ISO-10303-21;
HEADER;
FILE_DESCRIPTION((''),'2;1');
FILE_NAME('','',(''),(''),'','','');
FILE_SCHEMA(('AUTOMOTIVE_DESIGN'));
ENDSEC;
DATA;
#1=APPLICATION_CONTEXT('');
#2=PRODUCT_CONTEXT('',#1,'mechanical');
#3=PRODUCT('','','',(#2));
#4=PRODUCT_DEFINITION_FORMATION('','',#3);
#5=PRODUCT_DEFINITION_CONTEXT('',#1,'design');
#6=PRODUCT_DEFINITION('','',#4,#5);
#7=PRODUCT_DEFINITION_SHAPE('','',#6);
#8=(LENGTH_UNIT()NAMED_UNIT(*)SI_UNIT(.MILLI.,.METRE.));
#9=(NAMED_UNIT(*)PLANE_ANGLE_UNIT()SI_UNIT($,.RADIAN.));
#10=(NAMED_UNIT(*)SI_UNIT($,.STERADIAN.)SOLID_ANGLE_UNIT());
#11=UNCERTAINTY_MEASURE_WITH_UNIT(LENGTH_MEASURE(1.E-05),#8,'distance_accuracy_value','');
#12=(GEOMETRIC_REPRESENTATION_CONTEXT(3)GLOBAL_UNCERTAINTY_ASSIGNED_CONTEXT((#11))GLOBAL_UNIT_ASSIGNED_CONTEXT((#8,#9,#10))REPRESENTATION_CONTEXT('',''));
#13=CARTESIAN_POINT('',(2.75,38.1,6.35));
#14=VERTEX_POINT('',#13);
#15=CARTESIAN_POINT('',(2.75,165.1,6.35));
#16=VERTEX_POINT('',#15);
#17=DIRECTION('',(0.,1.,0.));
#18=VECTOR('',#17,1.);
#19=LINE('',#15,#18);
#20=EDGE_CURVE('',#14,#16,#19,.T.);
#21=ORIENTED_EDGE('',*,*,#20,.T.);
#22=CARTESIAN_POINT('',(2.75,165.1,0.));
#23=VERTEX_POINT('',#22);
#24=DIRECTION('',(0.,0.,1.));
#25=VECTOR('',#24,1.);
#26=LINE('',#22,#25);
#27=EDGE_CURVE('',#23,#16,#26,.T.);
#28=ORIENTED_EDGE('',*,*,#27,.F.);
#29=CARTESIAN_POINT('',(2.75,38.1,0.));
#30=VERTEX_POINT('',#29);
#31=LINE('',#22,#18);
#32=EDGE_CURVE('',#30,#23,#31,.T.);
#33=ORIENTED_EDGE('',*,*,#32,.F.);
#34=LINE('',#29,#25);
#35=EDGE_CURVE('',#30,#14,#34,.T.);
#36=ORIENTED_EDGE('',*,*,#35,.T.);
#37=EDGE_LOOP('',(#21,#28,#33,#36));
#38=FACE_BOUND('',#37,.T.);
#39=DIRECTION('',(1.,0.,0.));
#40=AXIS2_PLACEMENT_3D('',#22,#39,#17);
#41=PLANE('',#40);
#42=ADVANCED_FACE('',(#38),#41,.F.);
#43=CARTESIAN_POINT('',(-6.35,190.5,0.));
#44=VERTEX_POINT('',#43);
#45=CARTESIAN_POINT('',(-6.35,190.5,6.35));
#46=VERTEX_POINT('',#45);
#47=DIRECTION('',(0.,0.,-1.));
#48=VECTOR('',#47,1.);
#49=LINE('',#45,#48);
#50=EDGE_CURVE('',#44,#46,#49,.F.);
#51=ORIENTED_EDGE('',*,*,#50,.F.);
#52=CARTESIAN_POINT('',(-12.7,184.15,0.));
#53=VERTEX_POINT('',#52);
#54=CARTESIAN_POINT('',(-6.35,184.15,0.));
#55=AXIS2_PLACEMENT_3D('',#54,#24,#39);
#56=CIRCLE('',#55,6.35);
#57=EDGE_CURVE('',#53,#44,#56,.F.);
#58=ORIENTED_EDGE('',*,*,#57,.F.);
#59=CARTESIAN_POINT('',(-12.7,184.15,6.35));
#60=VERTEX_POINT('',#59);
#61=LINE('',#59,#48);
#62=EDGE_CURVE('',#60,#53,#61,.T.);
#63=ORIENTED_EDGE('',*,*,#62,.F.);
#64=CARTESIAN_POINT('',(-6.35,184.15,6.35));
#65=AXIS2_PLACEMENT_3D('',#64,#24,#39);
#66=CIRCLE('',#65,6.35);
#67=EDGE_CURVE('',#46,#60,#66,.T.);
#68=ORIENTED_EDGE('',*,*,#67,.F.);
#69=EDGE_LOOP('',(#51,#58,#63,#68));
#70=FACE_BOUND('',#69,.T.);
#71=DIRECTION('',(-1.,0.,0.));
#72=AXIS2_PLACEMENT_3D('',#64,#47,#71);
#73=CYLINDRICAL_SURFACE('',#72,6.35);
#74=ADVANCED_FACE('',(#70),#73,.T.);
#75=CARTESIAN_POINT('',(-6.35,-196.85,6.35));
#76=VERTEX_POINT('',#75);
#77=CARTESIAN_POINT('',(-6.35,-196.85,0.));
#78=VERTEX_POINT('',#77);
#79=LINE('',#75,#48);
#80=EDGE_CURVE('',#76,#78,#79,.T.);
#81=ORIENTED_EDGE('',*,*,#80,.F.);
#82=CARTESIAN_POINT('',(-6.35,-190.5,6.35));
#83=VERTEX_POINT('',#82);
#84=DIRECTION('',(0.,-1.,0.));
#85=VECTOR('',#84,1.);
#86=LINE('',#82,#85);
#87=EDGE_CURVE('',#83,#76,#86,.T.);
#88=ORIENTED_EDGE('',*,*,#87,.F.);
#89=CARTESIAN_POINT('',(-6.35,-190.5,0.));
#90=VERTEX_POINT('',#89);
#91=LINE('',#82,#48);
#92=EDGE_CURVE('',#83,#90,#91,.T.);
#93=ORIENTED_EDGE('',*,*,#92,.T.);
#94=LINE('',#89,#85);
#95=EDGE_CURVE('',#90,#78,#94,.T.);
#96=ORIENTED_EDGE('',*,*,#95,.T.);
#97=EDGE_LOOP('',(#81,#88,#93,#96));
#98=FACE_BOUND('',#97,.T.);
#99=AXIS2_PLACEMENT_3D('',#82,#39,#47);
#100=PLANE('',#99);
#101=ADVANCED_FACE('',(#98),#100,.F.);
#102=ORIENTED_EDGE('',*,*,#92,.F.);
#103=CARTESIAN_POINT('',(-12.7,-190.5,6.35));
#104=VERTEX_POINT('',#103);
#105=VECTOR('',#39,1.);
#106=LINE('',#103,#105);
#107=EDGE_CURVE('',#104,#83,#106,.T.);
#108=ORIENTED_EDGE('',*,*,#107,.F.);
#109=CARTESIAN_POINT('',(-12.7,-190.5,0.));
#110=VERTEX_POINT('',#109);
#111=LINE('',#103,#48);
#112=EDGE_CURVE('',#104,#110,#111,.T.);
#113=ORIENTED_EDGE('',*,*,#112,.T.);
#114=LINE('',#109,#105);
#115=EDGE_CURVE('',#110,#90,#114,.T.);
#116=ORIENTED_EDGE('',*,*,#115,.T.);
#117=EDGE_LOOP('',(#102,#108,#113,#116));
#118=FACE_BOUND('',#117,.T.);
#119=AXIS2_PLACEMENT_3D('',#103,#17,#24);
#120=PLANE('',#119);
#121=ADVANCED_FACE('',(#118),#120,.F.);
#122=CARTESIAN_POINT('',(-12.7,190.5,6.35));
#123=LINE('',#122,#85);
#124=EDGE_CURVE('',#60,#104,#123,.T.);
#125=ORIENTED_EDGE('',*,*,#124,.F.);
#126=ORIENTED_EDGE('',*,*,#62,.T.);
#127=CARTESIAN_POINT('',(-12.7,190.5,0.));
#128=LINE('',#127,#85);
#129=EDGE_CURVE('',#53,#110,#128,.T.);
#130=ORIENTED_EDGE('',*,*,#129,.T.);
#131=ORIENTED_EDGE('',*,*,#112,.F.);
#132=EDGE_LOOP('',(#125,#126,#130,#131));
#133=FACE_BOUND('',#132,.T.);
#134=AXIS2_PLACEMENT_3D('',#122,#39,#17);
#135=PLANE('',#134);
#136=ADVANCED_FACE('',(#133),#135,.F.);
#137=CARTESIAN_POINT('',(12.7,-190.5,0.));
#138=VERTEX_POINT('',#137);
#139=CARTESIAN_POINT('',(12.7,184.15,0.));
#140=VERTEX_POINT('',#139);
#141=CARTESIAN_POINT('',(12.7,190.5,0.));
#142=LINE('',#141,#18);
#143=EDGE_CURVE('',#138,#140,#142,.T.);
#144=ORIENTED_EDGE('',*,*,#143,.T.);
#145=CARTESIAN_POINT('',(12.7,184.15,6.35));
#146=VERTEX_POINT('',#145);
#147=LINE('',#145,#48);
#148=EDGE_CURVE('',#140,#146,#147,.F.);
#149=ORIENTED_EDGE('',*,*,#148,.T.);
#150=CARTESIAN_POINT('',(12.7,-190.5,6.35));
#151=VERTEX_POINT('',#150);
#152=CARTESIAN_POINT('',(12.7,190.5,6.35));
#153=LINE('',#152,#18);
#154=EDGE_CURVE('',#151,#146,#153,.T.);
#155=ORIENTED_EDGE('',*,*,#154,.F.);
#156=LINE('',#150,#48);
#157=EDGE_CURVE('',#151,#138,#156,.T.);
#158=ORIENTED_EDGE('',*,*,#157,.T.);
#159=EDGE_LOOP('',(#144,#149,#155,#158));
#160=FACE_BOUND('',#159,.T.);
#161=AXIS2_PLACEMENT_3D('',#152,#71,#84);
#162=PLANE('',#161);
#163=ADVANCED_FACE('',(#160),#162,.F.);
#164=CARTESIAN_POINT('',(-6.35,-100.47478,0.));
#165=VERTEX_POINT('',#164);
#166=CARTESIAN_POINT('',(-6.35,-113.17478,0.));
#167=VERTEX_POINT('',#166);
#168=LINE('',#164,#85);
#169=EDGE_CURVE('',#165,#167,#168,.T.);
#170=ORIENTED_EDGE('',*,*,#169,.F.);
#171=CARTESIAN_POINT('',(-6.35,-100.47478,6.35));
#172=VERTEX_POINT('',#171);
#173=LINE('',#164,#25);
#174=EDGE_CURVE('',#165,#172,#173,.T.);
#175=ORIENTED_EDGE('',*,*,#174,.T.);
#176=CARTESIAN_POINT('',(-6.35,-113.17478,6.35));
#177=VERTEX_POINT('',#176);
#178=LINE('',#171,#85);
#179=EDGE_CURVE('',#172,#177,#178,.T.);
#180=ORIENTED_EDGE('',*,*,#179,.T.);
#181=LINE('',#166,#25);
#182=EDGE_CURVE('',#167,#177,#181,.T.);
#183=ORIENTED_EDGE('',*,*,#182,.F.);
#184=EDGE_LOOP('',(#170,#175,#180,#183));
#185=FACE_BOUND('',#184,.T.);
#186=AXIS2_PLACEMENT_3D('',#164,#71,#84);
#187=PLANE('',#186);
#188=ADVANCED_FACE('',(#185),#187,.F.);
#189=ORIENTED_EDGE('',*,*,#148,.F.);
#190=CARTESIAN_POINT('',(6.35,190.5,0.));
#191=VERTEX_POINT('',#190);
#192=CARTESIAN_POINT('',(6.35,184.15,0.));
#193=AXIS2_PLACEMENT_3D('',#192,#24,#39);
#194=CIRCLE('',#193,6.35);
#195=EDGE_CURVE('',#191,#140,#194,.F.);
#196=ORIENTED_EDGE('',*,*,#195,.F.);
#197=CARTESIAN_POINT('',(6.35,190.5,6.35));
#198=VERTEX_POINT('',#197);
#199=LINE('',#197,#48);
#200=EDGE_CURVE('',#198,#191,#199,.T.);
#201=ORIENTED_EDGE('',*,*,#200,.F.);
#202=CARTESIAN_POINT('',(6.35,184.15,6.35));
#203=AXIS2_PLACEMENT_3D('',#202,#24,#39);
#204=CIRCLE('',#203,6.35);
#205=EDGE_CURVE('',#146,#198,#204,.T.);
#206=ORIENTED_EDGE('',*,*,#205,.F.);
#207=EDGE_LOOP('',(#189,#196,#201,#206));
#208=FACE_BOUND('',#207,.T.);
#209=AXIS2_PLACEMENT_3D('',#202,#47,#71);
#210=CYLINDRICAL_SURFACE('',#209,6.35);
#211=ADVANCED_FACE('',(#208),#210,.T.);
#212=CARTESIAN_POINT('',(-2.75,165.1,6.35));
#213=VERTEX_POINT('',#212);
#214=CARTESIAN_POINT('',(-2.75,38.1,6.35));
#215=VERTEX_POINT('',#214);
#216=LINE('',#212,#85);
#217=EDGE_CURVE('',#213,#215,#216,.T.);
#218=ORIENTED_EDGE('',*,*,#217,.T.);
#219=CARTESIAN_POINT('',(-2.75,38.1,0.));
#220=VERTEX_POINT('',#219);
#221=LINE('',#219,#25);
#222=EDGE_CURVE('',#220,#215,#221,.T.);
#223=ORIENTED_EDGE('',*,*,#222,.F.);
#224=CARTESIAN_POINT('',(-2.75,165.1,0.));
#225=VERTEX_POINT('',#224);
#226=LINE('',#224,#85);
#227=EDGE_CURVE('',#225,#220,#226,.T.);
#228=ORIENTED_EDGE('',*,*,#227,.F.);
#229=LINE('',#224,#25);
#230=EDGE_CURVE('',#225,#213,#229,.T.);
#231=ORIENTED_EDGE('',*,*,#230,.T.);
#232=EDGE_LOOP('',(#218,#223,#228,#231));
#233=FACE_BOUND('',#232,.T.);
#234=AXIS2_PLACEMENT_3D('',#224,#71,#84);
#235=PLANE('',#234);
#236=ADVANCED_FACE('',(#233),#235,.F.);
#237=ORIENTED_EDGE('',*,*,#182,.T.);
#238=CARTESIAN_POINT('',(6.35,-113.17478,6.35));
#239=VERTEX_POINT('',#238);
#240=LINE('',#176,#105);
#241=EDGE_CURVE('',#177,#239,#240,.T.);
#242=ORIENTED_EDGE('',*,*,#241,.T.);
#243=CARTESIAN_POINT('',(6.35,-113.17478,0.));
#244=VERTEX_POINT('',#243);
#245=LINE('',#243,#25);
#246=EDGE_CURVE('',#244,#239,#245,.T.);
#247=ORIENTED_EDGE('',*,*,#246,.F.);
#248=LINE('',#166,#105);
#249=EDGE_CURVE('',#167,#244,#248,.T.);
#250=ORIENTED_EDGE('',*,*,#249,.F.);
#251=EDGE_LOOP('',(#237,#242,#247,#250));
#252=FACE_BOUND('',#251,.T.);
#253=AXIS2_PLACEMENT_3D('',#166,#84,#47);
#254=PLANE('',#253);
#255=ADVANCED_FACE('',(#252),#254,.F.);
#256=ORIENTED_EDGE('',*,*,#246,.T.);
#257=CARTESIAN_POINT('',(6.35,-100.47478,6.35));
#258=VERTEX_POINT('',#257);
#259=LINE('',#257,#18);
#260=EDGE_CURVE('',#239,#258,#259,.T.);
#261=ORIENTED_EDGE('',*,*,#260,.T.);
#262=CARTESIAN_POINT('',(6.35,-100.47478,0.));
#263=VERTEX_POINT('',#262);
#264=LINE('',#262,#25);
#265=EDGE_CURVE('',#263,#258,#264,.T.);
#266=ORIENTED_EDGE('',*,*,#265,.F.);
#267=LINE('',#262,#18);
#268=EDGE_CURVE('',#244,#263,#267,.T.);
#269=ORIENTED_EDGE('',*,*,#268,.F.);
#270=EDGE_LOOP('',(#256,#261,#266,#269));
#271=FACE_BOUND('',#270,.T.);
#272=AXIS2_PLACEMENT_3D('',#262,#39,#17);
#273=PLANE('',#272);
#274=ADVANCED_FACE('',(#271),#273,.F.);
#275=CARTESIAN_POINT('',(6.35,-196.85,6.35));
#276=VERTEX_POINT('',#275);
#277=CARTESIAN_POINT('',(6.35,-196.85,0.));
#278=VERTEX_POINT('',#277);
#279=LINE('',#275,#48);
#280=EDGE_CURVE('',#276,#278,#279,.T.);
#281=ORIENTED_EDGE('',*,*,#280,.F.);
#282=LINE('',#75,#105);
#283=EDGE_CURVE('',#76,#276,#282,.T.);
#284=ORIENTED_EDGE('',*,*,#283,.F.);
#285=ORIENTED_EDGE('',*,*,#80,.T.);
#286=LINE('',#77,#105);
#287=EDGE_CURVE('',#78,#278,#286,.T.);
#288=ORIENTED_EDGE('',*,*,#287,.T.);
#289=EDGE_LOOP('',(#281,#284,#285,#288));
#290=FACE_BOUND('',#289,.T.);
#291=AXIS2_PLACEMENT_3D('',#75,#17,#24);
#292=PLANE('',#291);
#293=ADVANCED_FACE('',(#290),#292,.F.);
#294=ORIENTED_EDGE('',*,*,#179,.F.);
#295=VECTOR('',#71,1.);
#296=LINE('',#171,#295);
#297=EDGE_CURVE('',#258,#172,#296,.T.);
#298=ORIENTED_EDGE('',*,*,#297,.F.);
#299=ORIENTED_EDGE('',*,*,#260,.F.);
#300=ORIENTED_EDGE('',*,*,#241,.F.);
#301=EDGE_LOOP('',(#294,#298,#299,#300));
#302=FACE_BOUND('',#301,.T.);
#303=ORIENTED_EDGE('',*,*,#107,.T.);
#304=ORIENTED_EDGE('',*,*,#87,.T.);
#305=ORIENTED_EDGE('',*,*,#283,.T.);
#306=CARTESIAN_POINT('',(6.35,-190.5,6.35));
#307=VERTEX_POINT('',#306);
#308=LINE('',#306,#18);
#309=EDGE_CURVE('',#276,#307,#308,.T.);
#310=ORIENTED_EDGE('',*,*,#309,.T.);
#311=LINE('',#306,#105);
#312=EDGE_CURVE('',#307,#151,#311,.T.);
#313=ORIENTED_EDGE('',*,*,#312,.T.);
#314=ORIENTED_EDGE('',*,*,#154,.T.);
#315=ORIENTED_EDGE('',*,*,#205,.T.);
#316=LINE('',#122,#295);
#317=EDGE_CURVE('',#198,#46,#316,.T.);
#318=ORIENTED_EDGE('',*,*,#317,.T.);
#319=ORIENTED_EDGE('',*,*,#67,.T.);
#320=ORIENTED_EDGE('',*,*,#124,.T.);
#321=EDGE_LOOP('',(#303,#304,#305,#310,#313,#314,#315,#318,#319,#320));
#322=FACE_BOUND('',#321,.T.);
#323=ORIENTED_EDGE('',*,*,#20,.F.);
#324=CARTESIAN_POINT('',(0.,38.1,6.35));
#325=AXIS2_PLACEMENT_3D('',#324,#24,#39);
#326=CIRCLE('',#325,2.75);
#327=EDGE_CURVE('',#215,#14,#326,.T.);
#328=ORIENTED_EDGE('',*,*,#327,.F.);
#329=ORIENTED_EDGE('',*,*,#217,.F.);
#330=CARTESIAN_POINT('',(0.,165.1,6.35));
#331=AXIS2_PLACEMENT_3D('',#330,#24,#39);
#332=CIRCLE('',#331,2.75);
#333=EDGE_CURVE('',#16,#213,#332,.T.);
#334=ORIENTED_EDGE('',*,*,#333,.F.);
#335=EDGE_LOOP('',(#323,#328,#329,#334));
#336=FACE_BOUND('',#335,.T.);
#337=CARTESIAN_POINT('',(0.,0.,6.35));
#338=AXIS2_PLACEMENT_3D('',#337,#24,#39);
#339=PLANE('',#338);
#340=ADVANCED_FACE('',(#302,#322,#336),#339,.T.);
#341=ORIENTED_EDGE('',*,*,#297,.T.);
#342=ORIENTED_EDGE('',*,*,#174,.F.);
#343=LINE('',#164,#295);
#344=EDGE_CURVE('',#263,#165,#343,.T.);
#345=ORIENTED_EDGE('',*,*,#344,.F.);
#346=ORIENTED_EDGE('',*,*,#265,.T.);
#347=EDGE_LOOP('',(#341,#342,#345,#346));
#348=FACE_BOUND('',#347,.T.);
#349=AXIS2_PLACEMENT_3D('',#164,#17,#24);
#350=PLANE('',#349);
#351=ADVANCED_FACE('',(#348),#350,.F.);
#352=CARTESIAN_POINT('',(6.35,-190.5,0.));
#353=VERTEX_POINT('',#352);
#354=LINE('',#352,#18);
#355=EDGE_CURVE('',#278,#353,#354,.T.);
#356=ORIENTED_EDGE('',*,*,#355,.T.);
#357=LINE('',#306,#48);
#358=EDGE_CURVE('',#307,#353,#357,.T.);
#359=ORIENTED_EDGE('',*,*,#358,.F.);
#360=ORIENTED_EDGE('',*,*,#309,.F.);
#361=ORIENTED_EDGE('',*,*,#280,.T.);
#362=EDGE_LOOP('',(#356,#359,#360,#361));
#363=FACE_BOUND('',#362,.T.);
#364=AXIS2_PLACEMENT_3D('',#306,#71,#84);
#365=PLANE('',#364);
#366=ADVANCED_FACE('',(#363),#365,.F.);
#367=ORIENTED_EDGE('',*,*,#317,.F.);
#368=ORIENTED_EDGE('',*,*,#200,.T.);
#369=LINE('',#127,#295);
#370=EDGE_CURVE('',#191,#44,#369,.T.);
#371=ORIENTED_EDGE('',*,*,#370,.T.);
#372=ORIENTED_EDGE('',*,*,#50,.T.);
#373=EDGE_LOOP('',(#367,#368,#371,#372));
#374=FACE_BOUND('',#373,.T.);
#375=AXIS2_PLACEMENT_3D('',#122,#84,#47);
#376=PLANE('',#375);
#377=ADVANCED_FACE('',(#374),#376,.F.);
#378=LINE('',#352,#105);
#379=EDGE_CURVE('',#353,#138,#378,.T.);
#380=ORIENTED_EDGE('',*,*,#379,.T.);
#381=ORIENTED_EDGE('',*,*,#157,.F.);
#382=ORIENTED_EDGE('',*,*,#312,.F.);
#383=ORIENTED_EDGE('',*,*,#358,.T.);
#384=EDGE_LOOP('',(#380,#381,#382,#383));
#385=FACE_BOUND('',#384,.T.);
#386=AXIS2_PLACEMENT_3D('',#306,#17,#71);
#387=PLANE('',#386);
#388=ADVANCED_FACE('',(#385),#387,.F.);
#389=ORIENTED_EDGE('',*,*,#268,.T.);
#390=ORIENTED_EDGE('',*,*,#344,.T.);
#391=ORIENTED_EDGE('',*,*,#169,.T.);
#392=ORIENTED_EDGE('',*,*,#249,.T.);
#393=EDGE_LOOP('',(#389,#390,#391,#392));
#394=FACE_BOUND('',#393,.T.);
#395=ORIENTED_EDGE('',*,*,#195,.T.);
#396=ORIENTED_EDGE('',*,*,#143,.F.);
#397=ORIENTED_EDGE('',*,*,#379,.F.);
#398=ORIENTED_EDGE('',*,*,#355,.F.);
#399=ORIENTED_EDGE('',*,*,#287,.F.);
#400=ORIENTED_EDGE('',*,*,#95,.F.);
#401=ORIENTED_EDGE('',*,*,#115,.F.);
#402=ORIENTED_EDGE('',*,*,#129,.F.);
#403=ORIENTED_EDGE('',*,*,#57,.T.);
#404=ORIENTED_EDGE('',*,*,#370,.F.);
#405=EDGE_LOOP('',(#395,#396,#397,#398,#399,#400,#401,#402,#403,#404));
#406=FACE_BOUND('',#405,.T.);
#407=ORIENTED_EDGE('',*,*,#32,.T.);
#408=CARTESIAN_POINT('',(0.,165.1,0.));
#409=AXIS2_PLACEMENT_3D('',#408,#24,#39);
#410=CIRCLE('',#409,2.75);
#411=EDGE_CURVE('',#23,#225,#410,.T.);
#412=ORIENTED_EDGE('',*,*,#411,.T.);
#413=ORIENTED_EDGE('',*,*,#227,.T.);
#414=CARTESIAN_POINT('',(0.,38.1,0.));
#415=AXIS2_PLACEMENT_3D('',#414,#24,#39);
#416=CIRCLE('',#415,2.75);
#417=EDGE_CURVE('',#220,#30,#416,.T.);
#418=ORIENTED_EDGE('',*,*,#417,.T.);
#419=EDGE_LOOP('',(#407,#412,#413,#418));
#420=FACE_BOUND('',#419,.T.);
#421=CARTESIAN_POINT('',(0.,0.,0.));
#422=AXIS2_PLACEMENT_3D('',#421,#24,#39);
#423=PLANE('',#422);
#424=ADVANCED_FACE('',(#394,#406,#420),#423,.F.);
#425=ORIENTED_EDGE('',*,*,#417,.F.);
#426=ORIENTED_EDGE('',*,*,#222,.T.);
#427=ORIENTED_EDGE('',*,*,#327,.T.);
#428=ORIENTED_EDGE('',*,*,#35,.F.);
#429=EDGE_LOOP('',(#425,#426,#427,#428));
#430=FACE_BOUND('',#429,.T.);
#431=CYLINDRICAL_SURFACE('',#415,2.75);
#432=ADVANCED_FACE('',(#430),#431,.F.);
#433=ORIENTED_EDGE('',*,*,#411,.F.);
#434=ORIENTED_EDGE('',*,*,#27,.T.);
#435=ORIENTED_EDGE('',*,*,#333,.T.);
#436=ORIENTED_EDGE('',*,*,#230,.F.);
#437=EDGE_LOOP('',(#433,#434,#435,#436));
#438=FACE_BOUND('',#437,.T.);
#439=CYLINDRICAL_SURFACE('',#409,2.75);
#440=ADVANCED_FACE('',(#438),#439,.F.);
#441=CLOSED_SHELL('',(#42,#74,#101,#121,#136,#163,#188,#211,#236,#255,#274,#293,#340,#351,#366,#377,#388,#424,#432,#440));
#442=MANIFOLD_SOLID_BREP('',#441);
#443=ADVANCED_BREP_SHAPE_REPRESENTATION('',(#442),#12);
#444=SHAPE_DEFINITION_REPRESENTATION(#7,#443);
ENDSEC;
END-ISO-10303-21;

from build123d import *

# Parameters (mm, degrees)
BOSS_EXTRU_1_DEPTH      = 6.35
ESQUISSE3_W             = 12.7
ESQUISSE3_H             = 12.7
ENL_V_MAT_EXTRU_1_DEPTH = 198.361432403
ENL_V_MAT_EXTRU_2_DEPTH = 198.361432403
CONG_1_R                = 6.35


with BuildPart() as part:
    # Esquisse2 → Boss.-Extru.1 (new body)
    with BuildSketch(Plane.XY):
        Polygon((6.35, -190.5), (12.7, -190.5), (12.7, 190.5), (-12.7, 190.5), (-12.7, -190.5), (-6.35, -190.5), (-6.35, -196.85), (6.35, -196.85), align=None)
    extrude(amount=BOSS_EXTRU_1_DEPTH)

    # Esquisse3 → Enlèv. mat.-Extru.1 (cut, through all)
    with BuildSketch(Plane.XY.offset(6.35)):
        with Locations((0, -106.82478)):
            Rectangle(ESQUISSE3_W, ESQUISSE3_H)
    extrude(amount=-ENL_V_MAT_EXTRU_1_DEPTH, mode=Mode.SUBTRACT)

    # Esquisse4 → Enlèv. mat.-Extru.2 (cut, through all)
    with BuildSketch(Plane.XY.offset(6.35)):
        with BuildLine():
            Line((2.75, 165.1), (2.75, 38.1))
            ThreePointArc((2.75, 38.1), (0, 35.35), (-2.75, 38.1))
            Line((-2.75, 38.1), (-2.75, 165.1))
            ThreePointArc((-2.75, 165.1), (0, 167.85), (2.75, 165.1))
        make_face()
    extrude(amount=-ENL_V_MAT_EXTRU_2_DEPTH, mode=Mode.SUBTRACT)

    # Congé1
    cong_1_edges = [part.edges().sort_by_distance(p)[0] for p in [
        (-12.7, 190.5, 3.175),
        (12.7, 190.5, 3.175),
    ]]
    fillet(cong_1_edges, radius=CONG_1_R)


solid = part.part
